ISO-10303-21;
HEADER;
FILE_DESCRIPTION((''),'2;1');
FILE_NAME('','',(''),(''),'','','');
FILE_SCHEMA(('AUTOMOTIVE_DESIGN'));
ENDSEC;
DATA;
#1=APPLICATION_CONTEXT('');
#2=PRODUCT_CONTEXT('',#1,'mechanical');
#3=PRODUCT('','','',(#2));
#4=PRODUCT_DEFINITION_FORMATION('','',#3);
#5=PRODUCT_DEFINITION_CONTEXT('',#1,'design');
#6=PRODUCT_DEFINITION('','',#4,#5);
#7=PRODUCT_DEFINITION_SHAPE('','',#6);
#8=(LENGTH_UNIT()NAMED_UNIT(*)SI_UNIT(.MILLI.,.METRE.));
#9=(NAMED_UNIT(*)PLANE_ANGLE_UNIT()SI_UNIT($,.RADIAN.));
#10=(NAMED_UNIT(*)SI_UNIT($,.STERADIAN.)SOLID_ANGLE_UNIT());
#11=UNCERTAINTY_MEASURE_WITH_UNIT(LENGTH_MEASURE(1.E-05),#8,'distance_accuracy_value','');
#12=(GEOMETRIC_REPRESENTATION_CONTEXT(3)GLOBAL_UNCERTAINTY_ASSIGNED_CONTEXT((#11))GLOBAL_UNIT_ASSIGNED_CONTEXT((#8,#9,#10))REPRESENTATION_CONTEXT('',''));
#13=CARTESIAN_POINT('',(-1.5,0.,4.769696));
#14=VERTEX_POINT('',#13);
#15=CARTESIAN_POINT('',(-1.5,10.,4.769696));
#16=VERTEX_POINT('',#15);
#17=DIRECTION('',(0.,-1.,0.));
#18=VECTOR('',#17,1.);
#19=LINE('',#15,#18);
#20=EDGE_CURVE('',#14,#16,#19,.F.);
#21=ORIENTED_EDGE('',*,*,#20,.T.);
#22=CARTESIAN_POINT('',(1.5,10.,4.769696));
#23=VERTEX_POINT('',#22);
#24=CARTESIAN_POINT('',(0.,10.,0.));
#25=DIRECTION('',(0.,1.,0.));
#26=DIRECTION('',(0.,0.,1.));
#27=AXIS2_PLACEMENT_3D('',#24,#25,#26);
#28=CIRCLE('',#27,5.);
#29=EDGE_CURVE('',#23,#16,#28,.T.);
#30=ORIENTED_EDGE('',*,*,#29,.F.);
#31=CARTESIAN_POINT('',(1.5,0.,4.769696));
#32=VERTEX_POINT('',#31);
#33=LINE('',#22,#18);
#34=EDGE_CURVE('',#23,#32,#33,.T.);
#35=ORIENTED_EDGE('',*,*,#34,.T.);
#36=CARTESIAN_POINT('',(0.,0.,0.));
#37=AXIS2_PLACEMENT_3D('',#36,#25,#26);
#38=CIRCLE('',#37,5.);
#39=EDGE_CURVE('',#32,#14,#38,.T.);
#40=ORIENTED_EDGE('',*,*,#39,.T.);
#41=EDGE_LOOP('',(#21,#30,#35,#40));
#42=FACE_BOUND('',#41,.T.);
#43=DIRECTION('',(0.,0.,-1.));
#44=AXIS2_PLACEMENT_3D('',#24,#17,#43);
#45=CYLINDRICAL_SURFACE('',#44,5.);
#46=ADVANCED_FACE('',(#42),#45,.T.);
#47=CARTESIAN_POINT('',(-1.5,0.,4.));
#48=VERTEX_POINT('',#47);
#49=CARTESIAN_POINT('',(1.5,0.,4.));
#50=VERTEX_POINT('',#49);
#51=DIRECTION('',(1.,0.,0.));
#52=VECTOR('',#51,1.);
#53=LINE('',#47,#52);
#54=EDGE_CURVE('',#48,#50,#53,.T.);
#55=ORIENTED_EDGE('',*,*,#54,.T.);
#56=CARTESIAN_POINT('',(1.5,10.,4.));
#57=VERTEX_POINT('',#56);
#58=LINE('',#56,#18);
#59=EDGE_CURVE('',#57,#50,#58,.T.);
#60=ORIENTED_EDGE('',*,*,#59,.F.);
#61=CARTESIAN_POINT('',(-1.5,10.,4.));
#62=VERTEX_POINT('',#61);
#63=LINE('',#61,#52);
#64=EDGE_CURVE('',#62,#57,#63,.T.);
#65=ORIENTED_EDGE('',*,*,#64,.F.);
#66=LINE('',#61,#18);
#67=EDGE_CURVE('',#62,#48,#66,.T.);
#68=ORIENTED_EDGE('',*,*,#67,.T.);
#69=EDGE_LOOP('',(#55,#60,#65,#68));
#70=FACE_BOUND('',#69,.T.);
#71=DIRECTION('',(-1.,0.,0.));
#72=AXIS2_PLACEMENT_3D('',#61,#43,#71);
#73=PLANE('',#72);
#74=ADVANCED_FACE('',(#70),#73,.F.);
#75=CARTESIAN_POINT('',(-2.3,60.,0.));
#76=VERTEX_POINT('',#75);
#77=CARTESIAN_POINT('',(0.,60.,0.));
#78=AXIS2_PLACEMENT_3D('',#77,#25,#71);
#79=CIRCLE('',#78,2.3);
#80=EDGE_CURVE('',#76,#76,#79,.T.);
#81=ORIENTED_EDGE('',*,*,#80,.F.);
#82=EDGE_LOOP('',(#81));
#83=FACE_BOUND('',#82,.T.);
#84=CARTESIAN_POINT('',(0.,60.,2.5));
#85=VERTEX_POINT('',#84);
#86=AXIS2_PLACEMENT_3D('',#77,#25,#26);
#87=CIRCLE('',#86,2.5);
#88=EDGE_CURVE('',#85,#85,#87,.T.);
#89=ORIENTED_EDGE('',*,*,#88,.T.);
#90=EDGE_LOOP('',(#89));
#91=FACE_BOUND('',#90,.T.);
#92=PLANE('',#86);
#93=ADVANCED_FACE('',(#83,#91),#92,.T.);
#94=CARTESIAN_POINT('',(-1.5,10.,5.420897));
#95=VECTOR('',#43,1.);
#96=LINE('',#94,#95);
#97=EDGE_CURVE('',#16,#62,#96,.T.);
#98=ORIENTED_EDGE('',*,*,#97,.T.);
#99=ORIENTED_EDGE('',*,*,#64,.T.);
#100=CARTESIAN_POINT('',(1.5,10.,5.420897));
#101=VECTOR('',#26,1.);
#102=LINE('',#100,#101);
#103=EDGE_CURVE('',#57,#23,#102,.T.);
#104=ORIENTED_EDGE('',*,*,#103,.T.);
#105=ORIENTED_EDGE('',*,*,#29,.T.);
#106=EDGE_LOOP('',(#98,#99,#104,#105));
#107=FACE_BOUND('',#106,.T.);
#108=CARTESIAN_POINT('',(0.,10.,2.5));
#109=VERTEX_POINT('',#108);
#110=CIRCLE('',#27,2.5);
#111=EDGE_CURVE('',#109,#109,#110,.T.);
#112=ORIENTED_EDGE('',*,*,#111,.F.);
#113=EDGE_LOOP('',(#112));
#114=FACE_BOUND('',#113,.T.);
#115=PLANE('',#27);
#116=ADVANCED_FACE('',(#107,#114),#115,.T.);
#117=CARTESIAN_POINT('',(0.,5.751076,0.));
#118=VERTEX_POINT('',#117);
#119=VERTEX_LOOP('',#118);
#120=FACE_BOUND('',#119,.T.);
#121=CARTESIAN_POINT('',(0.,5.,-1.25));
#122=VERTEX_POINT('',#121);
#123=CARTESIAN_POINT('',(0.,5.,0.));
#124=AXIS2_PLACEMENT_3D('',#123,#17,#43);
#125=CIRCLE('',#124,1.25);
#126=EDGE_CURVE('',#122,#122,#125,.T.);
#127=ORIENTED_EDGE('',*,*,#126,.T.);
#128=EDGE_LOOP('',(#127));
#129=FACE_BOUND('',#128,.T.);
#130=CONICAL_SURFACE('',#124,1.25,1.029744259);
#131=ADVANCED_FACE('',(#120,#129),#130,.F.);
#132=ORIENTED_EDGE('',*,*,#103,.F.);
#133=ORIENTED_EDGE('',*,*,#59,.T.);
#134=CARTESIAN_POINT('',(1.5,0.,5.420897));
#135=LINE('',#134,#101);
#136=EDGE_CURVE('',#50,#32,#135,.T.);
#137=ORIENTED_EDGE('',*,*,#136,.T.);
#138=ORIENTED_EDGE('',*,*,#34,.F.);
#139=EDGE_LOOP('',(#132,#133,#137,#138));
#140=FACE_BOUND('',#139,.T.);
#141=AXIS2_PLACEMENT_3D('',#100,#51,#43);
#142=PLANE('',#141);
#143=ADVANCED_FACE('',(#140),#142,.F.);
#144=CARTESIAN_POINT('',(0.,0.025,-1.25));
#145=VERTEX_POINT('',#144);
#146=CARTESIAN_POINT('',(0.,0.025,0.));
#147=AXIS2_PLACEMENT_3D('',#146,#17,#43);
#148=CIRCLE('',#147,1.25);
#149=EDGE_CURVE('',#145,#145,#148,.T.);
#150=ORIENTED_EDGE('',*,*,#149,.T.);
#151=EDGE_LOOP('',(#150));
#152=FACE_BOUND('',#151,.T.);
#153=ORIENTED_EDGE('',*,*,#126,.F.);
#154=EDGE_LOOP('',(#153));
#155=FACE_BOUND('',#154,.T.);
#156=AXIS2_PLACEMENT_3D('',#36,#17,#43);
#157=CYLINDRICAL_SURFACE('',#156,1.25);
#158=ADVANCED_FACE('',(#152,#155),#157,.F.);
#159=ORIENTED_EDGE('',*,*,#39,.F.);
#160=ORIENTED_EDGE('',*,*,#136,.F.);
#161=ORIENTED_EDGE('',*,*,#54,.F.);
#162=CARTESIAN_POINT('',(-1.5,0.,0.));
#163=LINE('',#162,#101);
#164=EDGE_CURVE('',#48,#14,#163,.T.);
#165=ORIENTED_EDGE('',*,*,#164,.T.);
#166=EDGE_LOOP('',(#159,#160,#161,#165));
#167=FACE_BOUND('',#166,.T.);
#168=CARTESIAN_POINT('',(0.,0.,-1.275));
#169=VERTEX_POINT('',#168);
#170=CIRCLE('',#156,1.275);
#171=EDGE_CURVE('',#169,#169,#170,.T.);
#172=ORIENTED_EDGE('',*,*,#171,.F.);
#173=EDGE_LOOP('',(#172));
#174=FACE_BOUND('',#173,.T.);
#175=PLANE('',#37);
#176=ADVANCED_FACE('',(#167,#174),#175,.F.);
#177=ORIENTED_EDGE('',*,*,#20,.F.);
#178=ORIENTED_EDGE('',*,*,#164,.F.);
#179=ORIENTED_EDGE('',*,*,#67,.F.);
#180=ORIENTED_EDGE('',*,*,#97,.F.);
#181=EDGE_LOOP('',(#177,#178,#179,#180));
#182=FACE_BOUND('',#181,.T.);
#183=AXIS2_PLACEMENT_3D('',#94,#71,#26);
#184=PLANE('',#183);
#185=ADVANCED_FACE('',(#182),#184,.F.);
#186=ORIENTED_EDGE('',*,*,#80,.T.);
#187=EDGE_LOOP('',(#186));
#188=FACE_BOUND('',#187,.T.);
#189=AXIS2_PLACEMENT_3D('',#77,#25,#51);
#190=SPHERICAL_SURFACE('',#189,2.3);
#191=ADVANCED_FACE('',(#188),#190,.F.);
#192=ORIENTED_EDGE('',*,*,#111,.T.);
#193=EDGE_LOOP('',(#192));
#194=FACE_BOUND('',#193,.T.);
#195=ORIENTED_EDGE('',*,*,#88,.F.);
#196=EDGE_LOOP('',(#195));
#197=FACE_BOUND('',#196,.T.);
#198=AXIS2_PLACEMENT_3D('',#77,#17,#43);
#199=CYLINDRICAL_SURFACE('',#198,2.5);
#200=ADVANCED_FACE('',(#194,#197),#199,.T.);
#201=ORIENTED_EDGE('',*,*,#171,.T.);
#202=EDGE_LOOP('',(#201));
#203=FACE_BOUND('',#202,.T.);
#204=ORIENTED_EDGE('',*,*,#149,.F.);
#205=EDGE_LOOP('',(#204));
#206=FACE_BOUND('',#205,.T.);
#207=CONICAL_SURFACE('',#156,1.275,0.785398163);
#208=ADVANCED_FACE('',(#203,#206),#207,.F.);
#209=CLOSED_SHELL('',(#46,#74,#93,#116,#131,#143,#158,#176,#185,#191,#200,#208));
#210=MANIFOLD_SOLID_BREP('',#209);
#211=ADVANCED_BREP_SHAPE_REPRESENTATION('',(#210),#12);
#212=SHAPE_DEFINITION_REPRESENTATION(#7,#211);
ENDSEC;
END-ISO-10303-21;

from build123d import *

# Parameters (mm, degrees)
SKETCH1_R                             = 5
BOSS_EXTRUDE1_DEPTH                   = 10
SKETCH2_R                             = 2.5
BOSS_EXTRUDE2_DEPTH                   = 50
SKETCH9_W                             = 3
SKETCH9_H                             = 1.420897346
CUT_EXTRUDE2_DEPTH                    = 10
TAP_DRILL_FOR_M3X0_5_TAP2_D           = 2.5
TAP_DRILL_FOR_M3X0_5_TAP2_DEPTH       = 5
TAP_DRILL_FOR_M3X0_5_TAP2_CSINK_D     = 2.55
TAP_DRILL_FOR_M3X0_5_TAP2_CSINK_ANGLE = 90
TAP_DRILL_FOR_M3X0_5_TAP2_TIP         = 0.751075774


with BuildPart() as part:
    # Sketch1 → Boss-Extrude1 (new body)
    with BuildSketch(Plane(origin=(0, 0, 0), x_dir=(1, 0, 0), z_dir=(0, 1, 0))):
        with Locations(Location((0, 0, 0), (0, 0, 270))):
            Circle(SKETCH1_R)
    extrude(amount=BOSS_EXTRUDE1_DEPTH)

    # Sketch2 → Boss-Extrude2 (add)
    with BuildSketch(Plane(origin=(0, 10, 0), x_dir=(1, 0, 0), z_dir=(0, 1, 0))):
        with Locations(Location((0, 0, 0), (0, 0, 270))):
            Circle(SKETCH2_R)
    extrude(amount=BOSS_EXTRUDE2_DEPTH)

    # Sketch7 → Cut-Revolve1 (revolve, cut)
    with BuildSketch(Plane.XY):
        with BuildLine():
            Line((2.3, 60), (0, 60))
            Line((0, 60), (0, 57.7))
            ThreePointArc((0, 57.7), (1.626345597, 58.373654403), (2.3, 60))
        make_face()
    revolve(axis=Axis((0, 60, 0), (0, -1, 0)), mode=Mode.SUBTRACT)

    # Sketch9 → Cut-Extrude2 (cut)
    with BuildSketch(Plane.XZ):
        with Locations((0, 4.710448673)):
            Rectangle(SKETCH9_W, SKETCH9_H)
    extrude(amount=-CUT_EXTRUDE2_DEPTH, mode=Mode.SUBTRACT)

    # Tap Drill for M3x0.5 Tap2
    with Locations(Plane.XZ):
        with Locations((0, 0)):
            CounterSinkHole(TAP_DRILL_FOR_M3X0_5_TAP2_D / 2, TAP_DRILL_FOR_M3X0_5_TAP2_CSINK_D / 2, depth=TAP_DRILL_FOR_M3X0_5_TAP2_DEPTH, counter_sink_angle=TAP_DRILL_FOR_M3X0_5_TAP2_CSINK_ANGLE)
            with Locations((0, 0, -(TAP_DRILL_FOR_M3X0_5_TAP2_DEPTH + TAP_DRILL_FOR_M3X0_5_TAP2_TIP / 2))):  # 118° drill point
                Cone(0, TAP_DRILL_FOR_M3X0_5_TAP2_D / 2, TAP_DRILL_FOR_M3X0_5_TAP2_TIP, mode=Mode.SUBTRACT)


solid = part.part
